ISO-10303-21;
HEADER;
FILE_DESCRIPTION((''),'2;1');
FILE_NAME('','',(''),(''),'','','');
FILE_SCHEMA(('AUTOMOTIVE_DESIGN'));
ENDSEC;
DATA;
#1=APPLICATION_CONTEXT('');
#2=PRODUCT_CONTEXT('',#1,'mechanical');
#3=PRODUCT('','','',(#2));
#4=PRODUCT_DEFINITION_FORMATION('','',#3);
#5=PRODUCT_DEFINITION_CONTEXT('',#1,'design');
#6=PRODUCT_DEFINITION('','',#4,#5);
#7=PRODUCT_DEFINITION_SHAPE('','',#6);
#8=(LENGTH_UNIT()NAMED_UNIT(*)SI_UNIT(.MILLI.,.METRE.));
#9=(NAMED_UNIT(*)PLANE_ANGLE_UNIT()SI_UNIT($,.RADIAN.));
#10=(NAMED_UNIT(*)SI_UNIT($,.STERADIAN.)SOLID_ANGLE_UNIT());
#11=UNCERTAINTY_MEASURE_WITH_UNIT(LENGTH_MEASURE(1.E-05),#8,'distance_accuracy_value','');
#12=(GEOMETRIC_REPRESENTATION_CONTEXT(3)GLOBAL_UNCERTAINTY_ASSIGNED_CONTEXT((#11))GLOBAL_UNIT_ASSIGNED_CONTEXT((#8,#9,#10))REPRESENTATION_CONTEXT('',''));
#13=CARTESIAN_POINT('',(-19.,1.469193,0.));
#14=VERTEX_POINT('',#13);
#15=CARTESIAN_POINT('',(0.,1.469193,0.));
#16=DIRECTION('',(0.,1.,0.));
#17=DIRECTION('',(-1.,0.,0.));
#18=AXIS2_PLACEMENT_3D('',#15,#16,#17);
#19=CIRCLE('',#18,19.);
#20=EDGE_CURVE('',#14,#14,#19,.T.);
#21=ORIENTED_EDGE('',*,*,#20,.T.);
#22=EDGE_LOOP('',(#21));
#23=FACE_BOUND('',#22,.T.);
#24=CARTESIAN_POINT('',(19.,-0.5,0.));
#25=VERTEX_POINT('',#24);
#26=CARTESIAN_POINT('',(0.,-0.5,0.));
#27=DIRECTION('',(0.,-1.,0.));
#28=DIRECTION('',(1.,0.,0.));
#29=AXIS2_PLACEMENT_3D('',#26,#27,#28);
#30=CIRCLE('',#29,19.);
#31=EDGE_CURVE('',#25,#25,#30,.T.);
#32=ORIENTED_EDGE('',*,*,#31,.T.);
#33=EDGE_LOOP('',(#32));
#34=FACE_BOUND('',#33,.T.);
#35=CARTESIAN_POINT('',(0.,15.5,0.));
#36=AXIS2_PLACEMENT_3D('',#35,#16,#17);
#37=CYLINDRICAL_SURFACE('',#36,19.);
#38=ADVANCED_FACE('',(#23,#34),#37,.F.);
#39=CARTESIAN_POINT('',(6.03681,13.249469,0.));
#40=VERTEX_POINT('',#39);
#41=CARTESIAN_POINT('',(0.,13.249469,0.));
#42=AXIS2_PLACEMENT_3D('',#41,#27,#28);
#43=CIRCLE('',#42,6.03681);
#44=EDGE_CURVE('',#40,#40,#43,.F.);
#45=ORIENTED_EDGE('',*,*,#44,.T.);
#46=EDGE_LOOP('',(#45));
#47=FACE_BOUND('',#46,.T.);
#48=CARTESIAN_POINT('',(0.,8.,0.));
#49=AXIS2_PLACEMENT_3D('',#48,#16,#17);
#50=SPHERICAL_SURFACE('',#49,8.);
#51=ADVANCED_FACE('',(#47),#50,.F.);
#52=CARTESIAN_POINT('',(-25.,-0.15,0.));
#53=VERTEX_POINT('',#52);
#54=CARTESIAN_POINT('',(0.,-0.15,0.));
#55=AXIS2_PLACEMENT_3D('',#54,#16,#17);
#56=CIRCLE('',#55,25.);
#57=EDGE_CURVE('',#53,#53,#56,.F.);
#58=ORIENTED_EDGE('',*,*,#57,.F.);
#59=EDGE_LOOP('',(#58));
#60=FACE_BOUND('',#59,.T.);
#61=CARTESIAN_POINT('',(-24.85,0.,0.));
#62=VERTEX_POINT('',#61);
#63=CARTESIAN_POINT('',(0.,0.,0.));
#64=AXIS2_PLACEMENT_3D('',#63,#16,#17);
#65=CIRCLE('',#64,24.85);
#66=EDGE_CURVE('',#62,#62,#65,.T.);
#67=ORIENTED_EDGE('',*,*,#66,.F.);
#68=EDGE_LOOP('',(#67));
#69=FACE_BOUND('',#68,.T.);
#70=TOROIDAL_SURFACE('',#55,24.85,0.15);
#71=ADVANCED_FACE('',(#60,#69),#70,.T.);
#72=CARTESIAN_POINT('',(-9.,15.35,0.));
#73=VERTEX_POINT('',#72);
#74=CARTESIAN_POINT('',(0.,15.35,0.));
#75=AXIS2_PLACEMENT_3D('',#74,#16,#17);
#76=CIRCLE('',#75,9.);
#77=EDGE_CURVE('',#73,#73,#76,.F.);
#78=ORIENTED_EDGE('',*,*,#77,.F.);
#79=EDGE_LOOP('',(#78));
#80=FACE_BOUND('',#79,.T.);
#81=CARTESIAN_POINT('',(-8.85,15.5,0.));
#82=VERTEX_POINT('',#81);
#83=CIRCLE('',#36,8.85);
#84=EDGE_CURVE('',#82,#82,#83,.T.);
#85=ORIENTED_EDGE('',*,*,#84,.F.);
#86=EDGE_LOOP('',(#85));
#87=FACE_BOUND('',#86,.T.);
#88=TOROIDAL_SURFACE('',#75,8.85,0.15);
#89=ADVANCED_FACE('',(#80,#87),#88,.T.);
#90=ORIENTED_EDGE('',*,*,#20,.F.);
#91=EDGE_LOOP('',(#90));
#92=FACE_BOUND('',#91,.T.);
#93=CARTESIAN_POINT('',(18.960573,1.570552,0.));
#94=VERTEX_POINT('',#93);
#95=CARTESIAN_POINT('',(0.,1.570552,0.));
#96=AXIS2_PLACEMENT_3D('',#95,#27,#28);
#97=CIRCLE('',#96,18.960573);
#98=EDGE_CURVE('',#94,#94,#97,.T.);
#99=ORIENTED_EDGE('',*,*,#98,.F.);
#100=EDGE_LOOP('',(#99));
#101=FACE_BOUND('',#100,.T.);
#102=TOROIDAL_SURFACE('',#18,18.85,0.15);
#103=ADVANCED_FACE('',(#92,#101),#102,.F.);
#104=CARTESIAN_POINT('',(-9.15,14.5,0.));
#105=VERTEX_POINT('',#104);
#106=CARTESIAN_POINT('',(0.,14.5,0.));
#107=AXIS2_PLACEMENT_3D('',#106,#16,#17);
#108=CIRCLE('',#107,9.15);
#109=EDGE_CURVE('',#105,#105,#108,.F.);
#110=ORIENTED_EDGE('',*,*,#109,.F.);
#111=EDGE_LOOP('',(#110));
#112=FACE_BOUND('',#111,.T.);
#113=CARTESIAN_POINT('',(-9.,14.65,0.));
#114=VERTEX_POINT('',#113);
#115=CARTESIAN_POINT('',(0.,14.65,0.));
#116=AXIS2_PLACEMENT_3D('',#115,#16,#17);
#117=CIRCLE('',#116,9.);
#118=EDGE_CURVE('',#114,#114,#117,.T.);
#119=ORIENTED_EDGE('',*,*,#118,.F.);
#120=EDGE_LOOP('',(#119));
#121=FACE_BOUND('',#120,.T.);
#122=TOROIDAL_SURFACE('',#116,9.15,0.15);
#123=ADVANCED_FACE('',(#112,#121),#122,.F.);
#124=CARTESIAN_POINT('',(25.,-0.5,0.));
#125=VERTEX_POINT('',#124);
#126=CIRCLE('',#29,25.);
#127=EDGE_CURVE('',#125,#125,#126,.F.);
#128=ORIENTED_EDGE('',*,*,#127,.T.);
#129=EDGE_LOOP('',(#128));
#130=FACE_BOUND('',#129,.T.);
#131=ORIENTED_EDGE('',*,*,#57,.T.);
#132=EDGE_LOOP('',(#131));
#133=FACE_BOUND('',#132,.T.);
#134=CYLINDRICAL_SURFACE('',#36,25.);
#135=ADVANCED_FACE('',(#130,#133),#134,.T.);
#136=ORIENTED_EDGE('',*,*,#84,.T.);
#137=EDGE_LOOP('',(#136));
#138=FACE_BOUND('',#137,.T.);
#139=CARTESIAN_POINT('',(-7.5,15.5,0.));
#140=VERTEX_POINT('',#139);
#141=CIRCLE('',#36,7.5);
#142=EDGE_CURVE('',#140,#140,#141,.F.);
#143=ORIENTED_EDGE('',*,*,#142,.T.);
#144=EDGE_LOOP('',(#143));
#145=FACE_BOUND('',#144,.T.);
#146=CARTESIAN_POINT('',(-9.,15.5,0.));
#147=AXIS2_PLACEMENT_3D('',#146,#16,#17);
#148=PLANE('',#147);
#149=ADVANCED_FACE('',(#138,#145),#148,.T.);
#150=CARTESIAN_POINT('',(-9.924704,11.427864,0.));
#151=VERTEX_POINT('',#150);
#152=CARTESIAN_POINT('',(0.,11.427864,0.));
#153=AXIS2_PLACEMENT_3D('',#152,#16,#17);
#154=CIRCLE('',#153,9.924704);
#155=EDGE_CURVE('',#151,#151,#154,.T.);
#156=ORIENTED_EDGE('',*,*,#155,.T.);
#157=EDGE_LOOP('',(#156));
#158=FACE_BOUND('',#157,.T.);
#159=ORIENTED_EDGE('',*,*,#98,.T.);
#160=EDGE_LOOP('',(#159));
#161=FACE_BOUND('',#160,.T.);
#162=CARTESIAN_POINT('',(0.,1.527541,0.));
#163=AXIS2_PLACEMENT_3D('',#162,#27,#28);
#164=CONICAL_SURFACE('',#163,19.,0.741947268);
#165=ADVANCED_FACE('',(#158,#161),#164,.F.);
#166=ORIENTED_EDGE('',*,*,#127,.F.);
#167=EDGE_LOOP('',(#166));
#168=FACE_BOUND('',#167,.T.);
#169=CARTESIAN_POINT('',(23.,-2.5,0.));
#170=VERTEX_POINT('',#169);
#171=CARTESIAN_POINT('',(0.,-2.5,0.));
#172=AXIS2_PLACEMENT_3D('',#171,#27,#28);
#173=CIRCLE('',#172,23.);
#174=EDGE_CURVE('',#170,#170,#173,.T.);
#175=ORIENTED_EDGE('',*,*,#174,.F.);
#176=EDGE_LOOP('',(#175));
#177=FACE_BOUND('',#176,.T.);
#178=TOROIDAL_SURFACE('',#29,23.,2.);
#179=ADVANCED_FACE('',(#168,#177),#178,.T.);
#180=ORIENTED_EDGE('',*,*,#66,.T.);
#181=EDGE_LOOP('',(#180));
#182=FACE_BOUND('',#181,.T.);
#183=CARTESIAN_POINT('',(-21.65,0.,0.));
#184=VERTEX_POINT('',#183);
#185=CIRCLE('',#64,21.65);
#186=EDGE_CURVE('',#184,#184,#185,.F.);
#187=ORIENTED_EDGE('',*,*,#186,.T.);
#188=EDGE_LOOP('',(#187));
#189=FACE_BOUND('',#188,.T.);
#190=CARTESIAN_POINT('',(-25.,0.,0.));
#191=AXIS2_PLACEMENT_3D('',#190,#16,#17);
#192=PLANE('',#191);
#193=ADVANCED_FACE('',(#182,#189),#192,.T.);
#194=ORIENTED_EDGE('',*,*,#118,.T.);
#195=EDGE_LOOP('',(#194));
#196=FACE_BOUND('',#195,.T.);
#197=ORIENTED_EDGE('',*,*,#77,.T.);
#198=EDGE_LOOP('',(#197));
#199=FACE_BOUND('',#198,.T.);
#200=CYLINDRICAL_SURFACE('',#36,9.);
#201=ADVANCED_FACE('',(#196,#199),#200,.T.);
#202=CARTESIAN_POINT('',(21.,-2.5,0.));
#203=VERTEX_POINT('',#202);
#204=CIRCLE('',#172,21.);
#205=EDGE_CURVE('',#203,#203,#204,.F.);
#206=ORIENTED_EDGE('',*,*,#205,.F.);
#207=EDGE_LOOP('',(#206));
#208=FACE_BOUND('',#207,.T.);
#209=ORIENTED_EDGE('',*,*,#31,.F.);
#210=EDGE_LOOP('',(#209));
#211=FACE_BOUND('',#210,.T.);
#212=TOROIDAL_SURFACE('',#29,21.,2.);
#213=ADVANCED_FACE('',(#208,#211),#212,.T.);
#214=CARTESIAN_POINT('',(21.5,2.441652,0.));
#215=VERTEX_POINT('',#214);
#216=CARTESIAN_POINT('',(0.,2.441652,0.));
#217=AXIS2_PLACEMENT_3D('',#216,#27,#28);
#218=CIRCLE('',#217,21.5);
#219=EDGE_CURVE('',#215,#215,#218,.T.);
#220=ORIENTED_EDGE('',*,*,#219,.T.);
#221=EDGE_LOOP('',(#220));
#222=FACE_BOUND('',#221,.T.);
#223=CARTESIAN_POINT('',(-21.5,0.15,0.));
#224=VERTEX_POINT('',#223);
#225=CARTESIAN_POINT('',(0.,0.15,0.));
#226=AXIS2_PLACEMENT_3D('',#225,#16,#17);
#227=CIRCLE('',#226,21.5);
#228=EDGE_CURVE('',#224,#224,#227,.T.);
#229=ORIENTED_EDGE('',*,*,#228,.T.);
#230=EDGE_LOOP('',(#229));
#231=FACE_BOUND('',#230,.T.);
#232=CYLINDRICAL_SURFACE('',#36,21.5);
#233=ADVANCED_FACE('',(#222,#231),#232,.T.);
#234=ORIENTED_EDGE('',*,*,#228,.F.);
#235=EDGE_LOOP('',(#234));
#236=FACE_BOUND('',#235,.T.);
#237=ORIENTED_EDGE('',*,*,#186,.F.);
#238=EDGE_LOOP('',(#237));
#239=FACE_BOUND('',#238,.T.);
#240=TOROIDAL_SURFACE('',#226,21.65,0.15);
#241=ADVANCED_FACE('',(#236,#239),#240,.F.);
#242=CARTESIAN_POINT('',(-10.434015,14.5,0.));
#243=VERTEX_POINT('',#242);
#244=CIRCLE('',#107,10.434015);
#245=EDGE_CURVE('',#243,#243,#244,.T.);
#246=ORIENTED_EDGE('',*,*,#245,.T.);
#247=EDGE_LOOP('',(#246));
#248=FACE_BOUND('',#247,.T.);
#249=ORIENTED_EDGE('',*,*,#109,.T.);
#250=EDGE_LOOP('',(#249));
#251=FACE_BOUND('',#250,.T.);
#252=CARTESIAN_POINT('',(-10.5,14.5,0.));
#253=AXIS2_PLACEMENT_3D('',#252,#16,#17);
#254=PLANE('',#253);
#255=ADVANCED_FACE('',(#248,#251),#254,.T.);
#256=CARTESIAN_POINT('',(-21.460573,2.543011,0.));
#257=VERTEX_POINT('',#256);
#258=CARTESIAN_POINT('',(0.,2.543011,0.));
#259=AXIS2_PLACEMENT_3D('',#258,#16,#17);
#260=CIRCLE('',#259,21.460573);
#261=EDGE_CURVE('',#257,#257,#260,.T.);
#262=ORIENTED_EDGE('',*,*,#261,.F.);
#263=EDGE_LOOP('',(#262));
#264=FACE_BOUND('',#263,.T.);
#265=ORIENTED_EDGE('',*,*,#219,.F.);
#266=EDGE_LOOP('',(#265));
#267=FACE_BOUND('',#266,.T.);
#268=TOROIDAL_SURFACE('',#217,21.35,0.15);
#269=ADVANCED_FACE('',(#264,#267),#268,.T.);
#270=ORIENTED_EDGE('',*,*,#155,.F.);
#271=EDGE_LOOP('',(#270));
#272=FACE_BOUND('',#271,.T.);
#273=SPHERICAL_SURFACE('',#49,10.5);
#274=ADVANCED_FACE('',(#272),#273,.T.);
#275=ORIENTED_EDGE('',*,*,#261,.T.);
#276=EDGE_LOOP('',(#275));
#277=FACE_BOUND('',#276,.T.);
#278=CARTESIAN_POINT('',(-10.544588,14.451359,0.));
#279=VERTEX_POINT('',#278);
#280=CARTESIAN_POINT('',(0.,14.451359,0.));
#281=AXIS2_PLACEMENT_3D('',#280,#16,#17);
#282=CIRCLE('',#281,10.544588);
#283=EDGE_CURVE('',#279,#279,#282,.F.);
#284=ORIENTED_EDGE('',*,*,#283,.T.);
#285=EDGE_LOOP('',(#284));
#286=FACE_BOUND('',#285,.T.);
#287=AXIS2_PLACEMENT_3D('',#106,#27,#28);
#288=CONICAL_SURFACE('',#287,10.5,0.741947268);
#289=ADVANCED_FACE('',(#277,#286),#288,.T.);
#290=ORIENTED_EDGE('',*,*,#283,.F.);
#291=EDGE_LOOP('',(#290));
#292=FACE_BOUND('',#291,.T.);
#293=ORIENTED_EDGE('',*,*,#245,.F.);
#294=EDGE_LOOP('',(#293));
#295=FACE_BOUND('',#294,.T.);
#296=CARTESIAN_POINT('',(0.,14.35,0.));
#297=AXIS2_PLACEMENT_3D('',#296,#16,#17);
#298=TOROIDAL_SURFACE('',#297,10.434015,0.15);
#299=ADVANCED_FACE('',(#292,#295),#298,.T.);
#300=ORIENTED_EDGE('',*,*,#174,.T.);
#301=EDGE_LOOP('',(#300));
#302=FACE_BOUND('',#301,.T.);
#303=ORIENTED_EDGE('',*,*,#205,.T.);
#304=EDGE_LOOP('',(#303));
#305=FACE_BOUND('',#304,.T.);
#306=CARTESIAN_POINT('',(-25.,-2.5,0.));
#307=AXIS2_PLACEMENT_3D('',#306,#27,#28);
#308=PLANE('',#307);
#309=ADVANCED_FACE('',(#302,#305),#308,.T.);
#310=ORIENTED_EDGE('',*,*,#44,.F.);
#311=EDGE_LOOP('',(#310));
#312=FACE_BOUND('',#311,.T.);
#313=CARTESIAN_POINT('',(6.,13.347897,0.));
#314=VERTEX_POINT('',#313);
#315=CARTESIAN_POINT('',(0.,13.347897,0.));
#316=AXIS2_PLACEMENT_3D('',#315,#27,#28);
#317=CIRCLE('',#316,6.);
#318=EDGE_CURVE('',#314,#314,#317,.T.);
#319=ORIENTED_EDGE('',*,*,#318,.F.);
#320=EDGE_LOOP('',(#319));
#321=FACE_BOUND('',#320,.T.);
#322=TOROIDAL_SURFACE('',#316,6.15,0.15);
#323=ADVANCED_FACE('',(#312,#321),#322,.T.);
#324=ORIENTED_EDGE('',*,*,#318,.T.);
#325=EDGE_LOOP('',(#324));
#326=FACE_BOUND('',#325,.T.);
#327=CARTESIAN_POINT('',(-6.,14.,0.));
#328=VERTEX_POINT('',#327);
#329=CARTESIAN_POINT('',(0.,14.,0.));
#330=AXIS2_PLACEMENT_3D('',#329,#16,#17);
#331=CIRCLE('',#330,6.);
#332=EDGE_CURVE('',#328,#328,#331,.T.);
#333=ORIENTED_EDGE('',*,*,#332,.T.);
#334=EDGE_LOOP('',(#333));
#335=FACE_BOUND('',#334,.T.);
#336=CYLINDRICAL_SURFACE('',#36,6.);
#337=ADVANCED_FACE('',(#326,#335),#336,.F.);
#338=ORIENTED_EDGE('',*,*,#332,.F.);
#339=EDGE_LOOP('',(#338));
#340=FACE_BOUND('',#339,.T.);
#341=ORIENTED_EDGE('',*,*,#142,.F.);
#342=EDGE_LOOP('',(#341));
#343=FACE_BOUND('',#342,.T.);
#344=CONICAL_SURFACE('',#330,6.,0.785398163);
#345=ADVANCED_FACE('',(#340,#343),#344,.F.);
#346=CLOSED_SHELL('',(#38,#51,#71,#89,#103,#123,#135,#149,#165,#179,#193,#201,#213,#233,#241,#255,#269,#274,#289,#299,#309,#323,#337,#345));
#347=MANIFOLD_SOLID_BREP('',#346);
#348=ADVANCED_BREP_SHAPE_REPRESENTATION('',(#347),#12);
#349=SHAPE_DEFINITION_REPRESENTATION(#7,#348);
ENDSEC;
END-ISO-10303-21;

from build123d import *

# Parameters (mm, degrees)
FILLET1_R     = 2
FILLET2_R     = 0.15
CHAMFER1_SIZE = 1.5


with BuildPart() as part:
    # Sketch1 → Revolve1 (revolve)
    with BuildSketch(Plane.XY):
        with BuildLine():
            Line((-25, 0), (-21.5, 0))
            Line((-21.5, 0), (-21.5, 2.5))
            Line((-21.5, 2.5), (-10.5, 14.5))
            Line((-10.5, 14.5), (-9, 14.5))
            Line((-9, 14.5), (-9, 15.5))
            Line((-9, 15.5), (-6, 15.5))
            Line((-6, 15.5), (-6, 13.291502622))
            ThreePointArc((-6, 13.291502622), (-7.291502622, 4.708497378), (0, 0))
            Line((0, 0), (0, -2.5))
            ThreePointArc((0, -2.5), (-8.551098399, 1.906666252), (-9.924704088, 11.427863587))
            Line((-9.924704088, 11.427863587), (-19, 1.527540774))
            Line((-19, 1.527540774), (-19, -2.5))
            Line((-19, -2.5), (-25, -2.5))
            Line((-25, -2.5), (-25, 0))
        make_face()
    revolve(axis=Axis((0, 15.5, 0), (0, -1, 0)))

    # Fillet1
    fillet1_edges = [part.edges().sort_by_distance(p)[0] for p in [
        (19, -2.5, 0),
        (25, -2.5, 0),
    ]]
    fillet(fillet1_edges, radius=FILLET1_R)

    # Fillet2
    fillet2_edges = [part.edges().sort_by_distance(p)[0] for p in [
        (25, 0, 0),
        (21.5, 0, 0),
        (21.5, 2.5, 0),
        (10.5, 14.5, 0),
        (9, 14.5, 0),
        (9, 15.5, 0),
        (6, 13.291502622, 0),
        (19, 1.527540774, 0),
    ]]
    fillet(fillet2_edges, radius=FILLET2_R)

    # Chamfer1
    chamfer1_edges = [part.edges().sort_by_distance(p)[0] for p in [
        (6, 15.5, 0),
    ]]
    chamfer(chamfer1_edges, length=CHAMFER1_SIZE)


solid = part.part
